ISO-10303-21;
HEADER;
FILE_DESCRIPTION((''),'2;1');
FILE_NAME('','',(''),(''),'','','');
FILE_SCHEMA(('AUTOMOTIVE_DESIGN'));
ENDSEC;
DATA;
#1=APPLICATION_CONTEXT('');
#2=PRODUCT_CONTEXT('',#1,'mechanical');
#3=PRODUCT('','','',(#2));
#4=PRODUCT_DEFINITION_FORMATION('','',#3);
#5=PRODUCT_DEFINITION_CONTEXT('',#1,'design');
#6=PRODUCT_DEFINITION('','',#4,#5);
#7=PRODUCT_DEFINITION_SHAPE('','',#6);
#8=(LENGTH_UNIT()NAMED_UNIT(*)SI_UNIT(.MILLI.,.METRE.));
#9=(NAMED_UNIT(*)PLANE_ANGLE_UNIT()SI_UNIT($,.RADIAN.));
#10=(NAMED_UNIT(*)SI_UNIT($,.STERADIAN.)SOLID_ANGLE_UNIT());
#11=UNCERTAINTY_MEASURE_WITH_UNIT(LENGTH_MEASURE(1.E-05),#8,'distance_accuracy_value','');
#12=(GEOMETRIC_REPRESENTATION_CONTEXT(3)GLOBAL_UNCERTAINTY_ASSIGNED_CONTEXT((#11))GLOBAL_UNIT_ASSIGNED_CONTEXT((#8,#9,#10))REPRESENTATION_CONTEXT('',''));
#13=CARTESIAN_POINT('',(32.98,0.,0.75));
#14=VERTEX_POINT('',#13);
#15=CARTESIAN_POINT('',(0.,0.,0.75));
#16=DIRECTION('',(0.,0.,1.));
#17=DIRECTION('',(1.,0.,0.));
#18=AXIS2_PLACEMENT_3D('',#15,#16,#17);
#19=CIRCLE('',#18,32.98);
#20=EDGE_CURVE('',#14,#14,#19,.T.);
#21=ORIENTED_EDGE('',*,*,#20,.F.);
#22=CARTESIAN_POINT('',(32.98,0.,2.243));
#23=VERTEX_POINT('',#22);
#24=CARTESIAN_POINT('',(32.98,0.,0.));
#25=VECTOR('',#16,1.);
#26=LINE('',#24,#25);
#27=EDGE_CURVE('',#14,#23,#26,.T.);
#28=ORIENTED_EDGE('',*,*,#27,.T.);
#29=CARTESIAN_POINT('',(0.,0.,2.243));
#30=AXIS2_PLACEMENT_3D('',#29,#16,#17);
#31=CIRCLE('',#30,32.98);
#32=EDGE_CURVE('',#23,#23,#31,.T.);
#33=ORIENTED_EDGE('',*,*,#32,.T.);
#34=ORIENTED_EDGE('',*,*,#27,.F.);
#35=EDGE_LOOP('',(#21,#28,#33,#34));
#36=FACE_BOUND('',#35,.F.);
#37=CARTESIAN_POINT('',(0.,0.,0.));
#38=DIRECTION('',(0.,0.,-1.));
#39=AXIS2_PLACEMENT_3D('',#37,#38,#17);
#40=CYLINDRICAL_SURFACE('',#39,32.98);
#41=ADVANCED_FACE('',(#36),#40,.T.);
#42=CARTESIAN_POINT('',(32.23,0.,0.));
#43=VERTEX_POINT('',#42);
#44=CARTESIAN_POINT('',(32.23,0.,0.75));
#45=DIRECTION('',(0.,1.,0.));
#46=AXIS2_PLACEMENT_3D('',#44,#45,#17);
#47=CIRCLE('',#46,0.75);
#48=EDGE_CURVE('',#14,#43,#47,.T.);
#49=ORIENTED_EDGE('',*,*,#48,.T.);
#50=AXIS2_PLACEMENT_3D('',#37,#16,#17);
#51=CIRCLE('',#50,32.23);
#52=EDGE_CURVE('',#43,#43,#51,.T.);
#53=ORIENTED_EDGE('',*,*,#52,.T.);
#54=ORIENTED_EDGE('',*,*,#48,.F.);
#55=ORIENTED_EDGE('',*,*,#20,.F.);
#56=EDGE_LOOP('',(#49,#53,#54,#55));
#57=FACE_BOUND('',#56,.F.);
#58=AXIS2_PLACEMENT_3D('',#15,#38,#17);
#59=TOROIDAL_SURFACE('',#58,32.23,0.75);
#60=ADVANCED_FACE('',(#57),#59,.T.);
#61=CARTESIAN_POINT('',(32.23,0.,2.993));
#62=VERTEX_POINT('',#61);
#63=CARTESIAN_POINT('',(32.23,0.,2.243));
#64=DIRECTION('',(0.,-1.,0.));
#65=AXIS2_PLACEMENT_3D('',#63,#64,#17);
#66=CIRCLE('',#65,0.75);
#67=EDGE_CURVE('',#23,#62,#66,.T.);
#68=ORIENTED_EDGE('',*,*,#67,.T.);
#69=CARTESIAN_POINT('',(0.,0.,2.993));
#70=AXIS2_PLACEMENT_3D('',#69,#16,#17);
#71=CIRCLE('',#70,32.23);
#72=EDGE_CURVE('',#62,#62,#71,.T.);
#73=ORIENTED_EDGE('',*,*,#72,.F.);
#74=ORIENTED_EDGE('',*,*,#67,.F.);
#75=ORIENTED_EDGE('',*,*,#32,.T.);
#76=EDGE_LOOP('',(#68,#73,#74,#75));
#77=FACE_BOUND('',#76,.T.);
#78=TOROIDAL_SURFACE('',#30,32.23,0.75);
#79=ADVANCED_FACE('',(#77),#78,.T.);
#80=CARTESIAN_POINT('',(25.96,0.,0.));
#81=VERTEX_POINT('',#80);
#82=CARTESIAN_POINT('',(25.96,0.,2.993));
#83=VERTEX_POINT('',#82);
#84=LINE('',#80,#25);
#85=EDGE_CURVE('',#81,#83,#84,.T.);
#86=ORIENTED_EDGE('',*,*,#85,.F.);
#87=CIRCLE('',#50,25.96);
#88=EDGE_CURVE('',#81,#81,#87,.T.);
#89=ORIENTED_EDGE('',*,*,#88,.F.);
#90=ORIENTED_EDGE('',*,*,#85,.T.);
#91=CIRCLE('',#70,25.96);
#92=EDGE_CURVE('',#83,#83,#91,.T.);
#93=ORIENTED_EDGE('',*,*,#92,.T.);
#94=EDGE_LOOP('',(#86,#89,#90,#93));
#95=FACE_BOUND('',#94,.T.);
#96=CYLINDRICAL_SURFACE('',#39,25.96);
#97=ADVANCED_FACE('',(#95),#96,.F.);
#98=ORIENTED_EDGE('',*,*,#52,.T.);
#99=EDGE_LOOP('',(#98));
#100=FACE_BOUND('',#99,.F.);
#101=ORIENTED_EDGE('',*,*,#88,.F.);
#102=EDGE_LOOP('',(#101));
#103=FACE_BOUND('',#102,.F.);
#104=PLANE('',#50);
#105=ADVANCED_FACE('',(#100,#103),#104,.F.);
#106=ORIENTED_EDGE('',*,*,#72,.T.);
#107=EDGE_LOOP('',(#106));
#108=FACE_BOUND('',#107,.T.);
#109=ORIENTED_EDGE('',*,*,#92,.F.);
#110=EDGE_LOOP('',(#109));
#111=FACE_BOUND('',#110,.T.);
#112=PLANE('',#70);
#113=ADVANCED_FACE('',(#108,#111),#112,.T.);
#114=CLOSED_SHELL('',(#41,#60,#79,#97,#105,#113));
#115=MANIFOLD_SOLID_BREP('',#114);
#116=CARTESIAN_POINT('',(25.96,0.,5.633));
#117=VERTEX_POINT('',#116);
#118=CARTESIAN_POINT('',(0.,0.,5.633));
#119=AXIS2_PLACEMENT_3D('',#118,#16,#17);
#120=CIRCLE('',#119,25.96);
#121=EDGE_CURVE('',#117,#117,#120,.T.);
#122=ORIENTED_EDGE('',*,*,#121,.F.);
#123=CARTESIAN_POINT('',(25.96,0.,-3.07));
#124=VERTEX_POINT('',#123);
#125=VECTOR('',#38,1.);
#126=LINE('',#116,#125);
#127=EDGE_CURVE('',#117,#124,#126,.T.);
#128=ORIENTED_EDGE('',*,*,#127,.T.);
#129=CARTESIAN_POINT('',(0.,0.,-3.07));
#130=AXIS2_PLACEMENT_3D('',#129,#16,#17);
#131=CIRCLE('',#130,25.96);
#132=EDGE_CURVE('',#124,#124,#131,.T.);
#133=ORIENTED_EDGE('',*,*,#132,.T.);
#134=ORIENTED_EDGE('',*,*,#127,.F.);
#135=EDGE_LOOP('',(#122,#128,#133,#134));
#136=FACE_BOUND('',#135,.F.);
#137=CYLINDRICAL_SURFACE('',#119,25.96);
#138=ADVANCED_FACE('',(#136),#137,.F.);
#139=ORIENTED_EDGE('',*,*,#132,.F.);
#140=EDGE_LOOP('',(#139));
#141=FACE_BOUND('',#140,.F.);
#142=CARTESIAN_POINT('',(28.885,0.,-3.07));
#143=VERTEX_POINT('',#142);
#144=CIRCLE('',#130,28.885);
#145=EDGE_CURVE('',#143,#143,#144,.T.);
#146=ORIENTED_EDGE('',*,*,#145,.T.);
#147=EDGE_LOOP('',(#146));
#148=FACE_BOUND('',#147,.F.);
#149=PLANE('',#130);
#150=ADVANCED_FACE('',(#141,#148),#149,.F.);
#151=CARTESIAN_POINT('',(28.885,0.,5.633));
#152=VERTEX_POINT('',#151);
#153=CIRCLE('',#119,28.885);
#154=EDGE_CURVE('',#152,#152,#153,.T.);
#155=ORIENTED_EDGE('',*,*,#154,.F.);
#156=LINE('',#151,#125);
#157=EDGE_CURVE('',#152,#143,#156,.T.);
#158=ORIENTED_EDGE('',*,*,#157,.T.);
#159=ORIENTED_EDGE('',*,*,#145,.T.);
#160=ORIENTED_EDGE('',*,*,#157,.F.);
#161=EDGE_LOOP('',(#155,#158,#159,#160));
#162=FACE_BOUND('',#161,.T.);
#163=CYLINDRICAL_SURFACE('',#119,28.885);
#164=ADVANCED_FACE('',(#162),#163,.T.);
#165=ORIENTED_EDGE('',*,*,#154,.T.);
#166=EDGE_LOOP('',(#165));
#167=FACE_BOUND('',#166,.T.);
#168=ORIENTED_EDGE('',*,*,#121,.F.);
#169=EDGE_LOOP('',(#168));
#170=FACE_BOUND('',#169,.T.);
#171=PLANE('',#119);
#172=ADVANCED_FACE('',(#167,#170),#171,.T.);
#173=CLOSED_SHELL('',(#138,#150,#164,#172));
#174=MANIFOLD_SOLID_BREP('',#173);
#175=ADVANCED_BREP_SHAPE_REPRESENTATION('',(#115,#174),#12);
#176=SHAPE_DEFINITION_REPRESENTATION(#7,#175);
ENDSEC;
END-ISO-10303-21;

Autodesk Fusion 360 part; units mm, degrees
sketch "inner and outer rings of pulley" plane through (0, 0, 0) normal (0, 0, 1) x (1, 0, 0)
  circle A0 centre (0, 0) radius 25.96
  circle A1 centre (0, 0) radius 32.98
  circle A2 centre (0, 0) radius 28.885
  dimension "d1" = 51.92
  dimension "d5" = 65.96
  dimension "d12" = 57.77
extrude "Extrude1" add sketch "inner and outer rings of pulley" along normal blind 2.993 contours A1 | A2 makes body 1
extrude "Extrude2" add sketch "inner and outer rings of pulley" along normal blind -3.07 and the other way blind -5.633 separate body contours A2 makes body 2
fillet "Fillet4" radius 0.75 2 edges at (-30.7482, -11.9261, 2.993) (-30.7482, -11.9261, 0) on bodies 1
fillet "Fillet1" [suppressed]
fillet "Fillet2" [suppressed]
